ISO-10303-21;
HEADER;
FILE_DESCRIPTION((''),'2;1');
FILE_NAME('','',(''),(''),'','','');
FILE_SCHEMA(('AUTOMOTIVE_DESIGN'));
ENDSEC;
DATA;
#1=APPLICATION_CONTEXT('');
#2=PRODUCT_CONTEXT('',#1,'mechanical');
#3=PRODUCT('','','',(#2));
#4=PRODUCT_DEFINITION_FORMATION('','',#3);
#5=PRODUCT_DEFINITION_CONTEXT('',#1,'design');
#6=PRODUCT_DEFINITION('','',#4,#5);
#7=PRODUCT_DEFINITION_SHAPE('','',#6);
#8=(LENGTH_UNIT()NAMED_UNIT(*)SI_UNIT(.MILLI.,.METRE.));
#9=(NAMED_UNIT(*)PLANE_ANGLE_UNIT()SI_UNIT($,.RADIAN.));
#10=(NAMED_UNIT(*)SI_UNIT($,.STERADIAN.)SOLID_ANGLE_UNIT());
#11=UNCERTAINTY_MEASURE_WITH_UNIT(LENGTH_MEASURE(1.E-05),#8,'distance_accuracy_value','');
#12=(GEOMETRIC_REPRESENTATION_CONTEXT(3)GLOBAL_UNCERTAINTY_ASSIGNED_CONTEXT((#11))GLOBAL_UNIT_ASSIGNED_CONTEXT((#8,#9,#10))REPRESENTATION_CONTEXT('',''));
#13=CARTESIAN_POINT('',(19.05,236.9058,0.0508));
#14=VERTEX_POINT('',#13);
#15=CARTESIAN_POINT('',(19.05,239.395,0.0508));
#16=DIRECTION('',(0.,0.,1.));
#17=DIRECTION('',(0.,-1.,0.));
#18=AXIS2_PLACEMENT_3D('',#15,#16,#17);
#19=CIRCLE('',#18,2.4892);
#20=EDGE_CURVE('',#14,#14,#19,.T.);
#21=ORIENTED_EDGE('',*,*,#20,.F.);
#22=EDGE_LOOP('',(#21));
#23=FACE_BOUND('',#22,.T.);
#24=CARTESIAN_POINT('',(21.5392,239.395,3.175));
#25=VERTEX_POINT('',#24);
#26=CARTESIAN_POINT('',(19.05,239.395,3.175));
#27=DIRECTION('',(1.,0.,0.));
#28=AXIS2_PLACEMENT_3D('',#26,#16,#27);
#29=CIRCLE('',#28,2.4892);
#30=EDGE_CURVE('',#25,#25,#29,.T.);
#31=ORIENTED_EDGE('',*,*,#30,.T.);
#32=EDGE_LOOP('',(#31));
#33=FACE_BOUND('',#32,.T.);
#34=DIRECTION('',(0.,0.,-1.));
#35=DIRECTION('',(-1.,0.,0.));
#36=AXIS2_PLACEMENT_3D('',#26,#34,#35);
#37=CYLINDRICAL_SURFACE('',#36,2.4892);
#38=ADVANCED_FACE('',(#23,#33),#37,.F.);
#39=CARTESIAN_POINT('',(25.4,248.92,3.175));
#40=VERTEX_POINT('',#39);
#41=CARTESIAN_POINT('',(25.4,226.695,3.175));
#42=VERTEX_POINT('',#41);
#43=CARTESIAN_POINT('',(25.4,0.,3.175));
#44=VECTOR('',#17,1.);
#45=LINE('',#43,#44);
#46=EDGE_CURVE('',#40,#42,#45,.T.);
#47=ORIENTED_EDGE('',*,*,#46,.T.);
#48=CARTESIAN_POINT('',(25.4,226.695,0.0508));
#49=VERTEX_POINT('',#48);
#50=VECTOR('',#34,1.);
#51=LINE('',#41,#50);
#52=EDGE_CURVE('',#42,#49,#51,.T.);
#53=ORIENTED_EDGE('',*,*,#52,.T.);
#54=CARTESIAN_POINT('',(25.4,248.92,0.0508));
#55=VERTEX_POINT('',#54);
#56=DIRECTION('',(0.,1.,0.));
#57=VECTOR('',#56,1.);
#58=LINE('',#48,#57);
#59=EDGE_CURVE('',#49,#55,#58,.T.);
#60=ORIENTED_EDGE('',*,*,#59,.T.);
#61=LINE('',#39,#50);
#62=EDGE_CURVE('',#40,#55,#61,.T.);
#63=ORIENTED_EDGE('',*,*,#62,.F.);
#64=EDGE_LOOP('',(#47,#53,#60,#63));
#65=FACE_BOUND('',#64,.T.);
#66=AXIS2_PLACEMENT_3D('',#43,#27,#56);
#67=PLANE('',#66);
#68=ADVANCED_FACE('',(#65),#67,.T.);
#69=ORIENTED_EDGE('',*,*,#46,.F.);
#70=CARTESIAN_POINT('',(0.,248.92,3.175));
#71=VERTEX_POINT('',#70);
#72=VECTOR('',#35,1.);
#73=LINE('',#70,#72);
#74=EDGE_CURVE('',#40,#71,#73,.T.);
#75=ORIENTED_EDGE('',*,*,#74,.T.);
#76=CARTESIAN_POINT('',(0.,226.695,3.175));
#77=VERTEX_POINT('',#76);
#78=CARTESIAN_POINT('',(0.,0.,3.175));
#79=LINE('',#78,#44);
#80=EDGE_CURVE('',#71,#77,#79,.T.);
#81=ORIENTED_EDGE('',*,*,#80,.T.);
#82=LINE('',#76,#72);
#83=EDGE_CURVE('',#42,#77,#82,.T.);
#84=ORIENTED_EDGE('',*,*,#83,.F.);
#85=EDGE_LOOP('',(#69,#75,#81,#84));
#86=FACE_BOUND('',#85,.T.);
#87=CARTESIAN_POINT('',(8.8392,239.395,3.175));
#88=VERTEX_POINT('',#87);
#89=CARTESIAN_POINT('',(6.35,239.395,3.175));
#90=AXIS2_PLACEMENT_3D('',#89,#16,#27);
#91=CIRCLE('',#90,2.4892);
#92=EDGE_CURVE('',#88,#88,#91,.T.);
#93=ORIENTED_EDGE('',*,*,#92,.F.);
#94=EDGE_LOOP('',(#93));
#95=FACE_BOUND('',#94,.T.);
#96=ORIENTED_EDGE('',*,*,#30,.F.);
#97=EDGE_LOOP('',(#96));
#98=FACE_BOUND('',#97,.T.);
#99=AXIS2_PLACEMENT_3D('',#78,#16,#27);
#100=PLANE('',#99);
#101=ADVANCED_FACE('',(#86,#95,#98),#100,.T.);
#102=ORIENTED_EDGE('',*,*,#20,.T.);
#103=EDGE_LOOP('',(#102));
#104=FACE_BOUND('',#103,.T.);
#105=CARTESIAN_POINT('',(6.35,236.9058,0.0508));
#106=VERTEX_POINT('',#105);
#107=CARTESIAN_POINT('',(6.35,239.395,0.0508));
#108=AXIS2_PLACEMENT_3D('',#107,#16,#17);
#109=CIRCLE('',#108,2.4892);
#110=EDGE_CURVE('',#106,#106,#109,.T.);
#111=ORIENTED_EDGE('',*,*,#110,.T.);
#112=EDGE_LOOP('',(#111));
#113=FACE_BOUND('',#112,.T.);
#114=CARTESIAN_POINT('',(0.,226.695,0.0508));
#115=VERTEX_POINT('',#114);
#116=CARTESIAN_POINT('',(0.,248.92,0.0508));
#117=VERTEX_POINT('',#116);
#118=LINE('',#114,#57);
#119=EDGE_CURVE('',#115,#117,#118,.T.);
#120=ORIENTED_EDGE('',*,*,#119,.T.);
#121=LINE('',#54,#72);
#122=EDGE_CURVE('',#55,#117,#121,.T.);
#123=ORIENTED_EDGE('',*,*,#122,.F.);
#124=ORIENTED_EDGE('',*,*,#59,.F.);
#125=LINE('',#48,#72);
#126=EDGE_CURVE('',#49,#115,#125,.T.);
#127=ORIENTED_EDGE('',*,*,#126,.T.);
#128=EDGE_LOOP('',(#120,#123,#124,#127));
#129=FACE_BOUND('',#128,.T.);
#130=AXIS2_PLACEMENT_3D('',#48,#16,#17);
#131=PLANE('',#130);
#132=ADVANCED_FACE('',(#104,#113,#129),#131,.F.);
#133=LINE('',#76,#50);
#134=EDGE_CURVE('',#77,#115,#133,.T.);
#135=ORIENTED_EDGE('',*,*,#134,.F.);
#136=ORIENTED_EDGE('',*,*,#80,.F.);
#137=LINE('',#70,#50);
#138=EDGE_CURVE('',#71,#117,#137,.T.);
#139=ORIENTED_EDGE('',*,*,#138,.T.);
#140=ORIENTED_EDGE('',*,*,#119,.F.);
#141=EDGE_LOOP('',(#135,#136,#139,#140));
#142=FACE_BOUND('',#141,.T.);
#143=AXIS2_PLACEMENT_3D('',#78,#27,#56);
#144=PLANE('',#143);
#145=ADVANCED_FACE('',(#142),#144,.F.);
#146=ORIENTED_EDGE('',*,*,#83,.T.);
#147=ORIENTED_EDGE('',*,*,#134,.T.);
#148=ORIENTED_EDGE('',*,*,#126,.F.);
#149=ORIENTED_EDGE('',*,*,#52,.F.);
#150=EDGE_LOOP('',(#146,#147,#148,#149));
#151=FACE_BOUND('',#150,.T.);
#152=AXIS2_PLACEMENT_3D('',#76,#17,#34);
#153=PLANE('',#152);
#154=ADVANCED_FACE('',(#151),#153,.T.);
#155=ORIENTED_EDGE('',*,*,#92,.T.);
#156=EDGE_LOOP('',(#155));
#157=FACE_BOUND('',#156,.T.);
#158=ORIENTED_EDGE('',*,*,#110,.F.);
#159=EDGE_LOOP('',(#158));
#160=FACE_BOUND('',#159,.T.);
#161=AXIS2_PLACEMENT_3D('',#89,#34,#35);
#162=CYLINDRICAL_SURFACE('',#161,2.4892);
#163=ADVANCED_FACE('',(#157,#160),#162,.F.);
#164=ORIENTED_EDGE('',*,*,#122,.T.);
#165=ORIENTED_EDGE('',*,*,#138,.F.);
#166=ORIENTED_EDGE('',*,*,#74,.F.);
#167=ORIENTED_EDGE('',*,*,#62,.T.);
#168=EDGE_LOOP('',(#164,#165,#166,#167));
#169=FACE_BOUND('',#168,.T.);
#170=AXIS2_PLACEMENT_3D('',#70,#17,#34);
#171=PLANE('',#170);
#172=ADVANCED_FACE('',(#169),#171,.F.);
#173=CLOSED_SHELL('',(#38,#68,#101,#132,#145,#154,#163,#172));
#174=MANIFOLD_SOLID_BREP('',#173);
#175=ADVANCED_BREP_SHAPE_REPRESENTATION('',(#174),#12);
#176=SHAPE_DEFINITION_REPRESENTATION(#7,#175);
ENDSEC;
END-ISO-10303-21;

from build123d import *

# Parameters (mm, degrees)
SKETCH1_W           = 25.4
SKETCH1_H           = 22.225
SKETCH1_R           = 2.4892
BOSS_EXTRUDE1_DEPTH = 3.175
SKETCH2_W           = 0.0508
SKETCH2_H           = 22.225
CUT_EXTRUDE1_DEPTH  = 26.4


with BuildPart() as part:
    # Sketch1 → Boss-Extrude1 (new body)
    with BuildSketch(Plane.XY):
        with Locations((12.7, 237.8075)):
            Rectangle(SKETCH1_W, SKETCH1_H)
        with Locations((19.05, 239.395)):
            Circle(SKETCH1_R, mode=Mode.SUBTRACT)
        with Locations((6.35, 239.395)):
            Circle(SKETCH1_R, mode=Mode.SUBTRACT)
    extrude(amount=BOSS_EXTRUDE1_DEPTH)

    # Sketch2 → Cut-Extrude1 (cut, through all)
    with BuildSketch(Plane.ZY):
        with Locations((0.0254, 237.8075)):
            Rectangle(SKETCH2_W, SKETCH2_H)
    extrude(amount=-CUT_EXTRUDE1_DEPTH, mode=Mode.SUBTRACT)


solid = part.part
